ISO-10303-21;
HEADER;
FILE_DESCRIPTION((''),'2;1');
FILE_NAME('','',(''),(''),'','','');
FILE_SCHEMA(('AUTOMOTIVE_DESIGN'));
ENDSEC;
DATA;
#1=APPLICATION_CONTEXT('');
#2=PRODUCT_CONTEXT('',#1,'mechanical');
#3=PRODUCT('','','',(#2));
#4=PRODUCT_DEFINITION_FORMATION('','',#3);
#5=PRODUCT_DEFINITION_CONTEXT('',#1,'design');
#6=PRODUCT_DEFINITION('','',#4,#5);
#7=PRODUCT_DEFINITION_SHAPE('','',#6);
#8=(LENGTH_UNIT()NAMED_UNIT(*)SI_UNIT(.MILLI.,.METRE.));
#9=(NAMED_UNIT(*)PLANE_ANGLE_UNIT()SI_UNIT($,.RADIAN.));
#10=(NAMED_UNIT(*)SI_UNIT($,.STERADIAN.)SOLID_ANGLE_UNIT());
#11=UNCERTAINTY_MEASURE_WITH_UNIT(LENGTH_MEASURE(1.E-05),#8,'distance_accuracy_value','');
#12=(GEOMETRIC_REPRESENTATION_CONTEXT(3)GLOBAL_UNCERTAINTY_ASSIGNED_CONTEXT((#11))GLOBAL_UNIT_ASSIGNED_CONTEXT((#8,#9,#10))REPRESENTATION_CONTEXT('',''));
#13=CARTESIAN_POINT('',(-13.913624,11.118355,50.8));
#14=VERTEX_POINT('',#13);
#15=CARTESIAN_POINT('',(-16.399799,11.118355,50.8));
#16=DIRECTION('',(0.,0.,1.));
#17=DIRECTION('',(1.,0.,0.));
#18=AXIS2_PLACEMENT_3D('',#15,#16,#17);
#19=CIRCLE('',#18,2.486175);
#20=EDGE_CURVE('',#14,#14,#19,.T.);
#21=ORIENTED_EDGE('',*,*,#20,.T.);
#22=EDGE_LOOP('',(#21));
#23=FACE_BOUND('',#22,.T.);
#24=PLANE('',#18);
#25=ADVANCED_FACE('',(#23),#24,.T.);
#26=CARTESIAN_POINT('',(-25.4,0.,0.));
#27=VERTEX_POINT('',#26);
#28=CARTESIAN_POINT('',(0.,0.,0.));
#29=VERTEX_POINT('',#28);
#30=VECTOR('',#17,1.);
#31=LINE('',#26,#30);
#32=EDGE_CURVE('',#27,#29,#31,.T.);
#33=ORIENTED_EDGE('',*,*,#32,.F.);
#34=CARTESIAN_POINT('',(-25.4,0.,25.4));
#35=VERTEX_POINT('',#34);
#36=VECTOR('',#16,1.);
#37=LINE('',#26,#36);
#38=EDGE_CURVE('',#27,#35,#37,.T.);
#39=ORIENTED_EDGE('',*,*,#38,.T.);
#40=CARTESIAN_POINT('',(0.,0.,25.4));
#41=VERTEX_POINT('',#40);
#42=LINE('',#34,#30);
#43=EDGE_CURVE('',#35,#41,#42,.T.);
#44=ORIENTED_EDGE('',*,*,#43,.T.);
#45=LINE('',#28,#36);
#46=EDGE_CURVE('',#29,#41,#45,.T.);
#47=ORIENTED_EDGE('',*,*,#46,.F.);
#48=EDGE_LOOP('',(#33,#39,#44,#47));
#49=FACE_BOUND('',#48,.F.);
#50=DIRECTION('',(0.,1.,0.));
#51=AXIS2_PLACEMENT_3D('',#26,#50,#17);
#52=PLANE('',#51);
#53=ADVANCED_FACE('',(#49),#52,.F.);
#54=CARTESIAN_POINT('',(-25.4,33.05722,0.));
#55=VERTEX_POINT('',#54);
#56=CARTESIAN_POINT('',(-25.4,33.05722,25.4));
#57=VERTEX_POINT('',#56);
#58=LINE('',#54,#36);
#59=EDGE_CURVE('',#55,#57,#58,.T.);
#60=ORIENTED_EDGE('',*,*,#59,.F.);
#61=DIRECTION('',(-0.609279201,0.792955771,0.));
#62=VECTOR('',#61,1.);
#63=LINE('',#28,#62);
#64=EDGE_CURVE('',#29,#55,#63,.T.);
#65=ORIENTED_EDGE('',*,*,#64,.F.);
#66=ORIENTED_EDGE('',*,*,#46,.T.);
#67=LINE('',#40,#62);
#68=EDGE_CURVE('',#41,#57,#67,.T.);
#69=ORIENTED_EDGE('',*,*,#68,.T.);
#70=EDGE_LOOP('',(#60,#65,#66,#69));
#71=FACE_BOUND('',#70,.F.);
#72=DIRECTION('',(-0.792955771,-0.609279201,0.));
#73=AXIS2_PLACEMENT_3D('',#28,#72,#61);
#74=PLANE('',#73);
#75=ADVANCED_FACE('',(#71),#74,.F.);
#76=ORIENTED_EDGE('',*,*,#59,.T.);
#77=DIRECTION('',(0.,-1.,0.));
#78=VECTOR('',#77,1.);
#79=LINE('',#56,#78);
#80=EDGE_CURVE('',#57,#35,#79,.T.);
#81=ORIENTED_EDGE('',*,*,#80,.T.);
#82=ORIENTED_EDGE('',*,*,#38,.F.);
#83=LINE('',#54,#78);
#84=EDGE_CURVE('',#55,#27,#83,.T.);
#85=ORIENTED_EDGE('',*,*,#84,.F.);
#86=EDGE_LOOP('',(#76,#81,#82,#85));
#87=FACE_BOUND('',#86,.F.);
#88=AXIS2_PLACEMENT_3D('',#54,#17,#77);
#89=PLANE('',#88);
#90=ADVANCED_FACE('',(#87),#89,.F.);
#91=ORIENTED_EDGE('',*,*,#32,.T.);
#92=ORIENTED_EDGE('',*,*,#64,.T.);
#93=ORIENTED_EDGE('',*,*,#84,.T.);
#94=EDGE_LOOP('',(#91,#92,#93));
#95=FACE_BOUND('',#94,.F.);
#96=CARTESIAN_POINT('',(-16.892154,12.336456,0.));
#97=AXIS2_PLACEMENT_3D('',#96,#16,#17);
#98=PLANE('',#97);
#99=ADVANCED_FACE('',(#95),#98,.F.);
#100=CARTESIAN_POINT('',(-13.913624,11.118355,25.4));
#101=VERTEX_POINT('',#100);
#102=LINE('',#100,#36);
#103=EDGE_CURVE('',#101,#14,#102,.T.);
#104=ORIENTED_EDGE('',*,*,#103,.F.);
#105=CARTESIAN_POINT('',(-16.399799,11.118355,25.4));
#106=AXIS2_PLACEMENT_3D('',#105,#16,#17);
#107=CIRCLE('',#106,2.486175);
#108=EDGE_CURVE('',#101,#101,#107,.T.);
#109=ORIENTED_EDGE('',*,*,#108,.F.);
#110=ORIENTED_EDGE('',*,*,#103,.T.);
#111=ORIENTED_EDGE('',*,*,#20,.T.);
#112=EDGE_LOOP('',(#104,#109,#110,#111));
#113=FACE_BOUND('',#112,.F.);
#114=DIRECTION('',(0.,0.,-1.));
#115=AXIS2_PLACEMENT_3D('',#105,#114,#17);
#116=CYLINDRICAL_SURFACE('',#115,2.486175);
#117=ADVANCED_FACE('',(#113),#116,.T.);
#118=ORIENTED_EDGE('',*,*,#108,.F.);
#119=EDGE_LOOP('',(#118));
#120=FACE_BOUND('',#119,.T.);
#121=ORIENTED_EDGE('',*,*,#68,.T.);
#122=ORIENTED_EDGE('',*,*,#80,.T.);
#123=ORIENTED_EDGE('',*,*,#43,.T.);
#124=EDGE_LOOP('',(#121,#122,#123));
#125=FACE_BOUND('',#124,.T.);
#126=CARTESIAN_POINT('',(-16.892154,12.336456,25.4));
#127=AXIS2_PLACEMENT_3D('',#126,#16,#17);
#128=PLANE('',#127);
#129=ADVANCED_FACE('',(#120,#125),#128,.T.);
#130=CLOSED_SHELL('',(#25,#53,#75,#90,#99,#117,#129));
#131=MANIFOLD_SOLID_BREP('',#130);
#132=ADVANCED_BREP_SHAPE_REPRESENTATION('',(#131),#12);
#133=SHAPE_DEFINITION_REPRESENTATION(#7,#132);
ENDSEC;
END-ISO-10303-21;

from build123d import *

# Parameters (mm, degrees)
F1_DEPTH = 25.4
F2_R     = 2.486175
F3_DEPTH = 25.4


with BuildPart() as f1:
    # F0 (on Top) → F1 (new body)
    with BuildSketch(Plane.XY):
        Polygon((-25.4, 0), (0, 0), (-25.4, 33.05722), align=None)
    extrude(amount=F1_DEPTH)

    # F2 (on face) → F3 (join)
    with BuildSketch(Plane.XY.offset(25.4)):
        with Locations((-16.399799, 11.118355)):
            Circle(F2_R)
    extrude(amount=F3_DEPTH)


solid = f1.part
